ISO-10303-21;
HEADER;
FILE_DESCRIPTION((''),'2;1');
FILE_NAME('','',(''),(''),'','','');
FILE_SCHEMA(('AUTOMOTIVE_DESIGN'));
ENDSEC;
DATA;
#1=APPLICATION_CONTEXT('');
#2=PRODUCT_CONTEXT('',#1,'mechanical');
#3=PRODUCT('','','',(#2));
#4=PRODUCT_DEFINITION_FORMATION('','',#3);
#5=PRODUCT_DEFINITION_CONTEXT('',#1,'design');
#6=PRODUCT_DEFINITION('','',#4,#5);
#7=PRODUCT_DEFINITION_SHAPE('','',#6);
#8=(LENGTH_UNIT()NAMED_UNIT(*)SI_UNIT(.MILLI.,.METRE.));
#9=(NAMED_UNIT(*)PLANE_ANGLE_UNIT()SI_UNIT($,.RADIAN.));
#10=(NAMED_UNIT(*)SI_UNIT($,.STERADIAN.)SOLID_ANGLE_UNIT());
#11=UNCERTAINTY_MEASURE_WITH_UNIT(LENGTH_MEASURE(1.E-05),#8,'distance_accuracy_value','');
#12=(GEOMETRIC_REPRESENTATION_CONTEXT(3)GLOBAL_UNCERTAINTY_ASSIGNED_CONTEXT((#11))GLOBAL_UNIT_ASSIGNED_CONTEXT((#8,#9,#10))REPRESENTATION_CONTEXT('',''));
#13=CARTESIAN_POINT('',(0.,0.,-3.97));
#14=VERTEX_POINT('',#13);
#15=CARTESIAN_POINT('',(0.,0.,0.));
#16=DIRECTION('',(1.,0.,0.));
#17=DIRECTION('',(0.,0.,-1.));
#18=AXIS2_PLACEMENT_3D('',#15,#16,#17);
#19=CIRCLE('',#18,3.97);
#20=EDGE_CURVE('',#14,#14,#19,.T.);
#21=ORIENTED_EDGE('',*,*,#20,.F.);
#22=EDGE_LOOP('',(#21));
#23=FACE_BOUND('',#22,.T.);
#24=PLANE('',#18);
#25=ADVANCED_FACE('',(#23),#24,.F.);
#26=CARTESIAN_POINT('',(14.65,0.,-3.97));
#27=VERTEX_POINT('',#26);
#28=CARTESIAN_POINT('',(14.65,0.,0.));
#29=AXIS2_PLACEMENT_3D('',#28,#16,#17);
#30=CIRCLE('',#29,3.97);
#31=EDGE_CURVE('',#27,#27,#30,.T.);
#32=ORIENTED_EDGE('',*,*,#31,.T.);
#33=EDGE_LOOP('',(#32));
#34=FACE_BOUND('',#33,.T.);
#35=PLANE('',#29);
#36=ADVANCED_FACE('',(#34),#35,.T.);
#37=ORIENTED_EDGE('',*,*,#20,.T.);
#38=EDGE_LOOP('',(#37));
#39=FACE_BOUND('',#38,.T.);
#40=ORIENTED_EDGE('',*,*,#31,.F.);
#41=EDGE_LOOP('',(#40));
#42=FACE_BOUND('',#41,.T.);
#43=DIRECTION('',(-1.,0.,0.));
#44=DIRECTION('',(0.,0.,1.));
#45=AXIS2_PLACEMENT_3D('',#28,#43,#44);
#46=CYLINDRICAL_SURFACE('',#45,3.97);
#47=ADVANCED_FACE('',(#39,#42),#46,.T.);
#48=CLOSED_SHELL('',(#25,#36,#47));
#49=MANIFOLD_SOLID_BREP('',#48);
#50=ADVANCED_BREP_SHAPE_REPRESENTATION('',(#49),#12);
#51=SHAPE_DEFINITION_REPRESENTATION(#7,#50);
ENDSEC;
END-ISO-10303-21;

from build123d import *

# Parameters (mm, degrees)
SKETCH1_R           = 3.97
BOSS_EXTRUDE1_DEPTH = 14.65


with BuildPart() as part:
    # Sketch1 → Boss-Extrude1 (new body)
    with BuildSketch(Plane.YZ):
        with Locations(Location((0, 0, 0), (0, 0, 270))):
            Circle(SKETCH1_R)
    extrude(amount=BOSS_EXTRUDE1_DEPTH)


solid = part.part
